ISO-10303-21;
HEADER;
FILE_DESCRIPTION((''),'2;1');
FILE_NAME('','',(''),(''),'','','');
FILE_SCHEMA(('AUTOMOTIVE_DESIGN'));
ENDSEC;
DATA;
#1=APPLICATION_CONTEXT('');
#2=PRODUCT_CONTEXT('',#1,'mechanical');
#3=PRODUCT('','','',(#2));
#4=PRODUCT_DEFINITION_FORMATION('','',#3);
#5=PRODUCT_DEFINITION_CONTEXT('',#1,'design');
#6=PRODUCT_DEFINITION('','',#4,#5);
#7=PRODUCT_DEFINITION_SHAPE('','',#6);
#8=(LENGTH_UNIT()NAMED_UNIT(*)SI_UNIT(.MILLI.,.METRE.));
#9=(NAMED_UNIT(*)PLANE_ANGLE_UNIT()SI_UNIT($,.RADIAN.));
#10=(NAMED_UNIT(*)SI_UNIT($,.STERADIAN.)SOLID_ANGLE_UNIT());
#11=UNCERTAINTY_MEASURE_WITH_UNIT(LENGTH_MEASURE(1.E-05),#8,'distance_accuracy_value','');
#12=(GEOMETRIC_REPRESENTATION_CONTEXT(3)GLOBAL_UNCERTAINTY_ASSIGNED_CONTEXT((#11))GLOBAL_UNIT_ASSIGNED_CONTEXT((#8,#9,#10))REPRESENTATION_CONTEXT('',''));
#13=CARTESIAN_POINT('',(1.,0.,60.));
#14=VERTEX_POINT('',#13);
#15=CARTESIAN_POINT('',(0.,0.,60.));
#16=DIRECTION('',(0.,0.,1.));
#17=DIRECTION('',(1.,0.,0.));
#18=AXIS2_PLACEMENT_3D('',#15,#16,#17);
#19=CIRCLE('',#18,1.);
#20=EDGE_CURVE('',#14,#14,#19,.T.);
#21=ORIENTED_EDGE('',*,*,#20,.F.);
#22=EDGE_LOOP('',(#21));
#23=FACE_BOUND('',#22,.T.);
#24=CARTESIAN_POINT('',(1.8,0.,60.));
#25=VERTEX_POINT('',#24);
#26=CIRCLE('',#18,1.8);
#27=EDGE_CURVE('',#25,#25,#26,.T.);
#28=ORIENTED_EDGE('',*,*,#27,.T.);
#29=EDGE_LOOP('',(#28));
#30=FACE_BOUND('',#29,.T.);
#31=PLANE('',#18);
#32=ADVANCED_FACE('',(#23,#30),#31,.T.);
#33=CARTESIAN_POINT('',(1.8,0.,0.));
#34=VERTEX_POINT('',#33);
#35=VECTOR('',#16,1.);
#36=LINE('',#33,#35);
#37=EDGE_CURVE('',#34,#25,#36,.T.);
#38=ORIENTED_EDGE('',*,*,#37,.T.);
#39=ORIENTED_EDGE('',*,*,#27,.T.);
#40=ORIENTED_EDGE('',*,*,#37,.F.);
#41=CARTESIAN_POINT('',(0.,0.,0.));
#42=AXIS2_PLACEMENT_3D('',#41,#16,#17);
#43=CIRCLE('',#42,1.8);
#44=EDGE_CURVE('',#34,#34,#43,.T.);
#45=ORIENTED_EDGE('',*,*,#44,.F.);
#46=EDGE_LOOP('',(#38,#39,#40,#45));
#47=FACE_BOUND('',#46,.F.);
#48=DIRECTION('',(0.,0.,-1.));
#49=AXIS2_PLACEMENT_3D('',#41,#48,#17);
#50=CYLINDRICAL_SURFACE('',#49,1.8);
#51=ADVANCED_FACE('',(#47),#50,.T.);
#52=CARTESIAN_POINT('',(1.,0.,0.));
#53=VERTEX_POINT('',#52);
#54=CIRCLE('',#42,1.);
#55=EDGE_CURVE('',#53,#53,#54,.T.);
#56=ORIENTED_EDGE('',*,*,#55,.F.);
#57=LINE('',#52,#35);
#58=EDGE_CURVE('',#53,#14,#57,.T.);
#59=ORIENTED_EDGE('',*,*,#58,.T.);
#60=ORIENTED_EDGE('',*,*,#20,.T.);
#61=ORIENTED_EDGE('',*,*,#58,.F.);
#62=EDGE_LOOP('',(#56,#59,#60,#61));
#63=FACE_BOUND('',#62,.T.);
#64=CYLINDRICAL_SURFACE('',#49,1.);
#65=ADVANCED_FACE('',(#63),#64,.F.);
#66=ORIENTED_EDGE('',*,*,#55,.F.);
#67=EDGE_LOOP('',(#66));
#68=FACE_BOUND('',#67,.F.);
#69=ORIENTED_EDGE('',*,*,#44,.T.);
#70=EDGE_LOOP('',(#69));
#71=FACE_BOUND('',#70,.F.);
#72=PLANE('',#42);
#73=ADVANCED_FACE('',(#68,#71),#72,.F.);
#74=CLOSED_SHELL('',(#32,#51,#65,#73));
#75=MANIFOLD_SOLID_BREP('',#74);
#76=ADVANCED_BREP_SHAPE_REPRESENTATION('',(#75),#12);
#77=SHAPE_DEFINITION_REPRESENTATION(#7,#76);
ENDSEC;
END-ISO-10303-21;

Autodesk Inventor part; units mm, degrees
ref_plane "YZ Plane" through (0, 0, 0) normal (1, 0, 0) x (0, 1, 0)
ref_plane "XZ Plane" through (0, 0, 0) normal (0, 1, 0) x (-1, 0, 0)
ref_plane "XY Plane" through (0, 0, 0) normal (0, 0, 1) x (1, 0, 0)
sketch "Skizze1" plane through (0, 0, 0) normal (0, 0, 1) x (1, 0, 0)
  circle A0 centre (0, 0) radius 1
  circle A1 centre (0, 0) radius 1.8
  dimension "d0" = 0.8
  dimension "d1" = 2
extrude "Extrusion1" add sketch "Skizze1" along normal blind 60
properties part number "Stewart-Rod-Pipe"
